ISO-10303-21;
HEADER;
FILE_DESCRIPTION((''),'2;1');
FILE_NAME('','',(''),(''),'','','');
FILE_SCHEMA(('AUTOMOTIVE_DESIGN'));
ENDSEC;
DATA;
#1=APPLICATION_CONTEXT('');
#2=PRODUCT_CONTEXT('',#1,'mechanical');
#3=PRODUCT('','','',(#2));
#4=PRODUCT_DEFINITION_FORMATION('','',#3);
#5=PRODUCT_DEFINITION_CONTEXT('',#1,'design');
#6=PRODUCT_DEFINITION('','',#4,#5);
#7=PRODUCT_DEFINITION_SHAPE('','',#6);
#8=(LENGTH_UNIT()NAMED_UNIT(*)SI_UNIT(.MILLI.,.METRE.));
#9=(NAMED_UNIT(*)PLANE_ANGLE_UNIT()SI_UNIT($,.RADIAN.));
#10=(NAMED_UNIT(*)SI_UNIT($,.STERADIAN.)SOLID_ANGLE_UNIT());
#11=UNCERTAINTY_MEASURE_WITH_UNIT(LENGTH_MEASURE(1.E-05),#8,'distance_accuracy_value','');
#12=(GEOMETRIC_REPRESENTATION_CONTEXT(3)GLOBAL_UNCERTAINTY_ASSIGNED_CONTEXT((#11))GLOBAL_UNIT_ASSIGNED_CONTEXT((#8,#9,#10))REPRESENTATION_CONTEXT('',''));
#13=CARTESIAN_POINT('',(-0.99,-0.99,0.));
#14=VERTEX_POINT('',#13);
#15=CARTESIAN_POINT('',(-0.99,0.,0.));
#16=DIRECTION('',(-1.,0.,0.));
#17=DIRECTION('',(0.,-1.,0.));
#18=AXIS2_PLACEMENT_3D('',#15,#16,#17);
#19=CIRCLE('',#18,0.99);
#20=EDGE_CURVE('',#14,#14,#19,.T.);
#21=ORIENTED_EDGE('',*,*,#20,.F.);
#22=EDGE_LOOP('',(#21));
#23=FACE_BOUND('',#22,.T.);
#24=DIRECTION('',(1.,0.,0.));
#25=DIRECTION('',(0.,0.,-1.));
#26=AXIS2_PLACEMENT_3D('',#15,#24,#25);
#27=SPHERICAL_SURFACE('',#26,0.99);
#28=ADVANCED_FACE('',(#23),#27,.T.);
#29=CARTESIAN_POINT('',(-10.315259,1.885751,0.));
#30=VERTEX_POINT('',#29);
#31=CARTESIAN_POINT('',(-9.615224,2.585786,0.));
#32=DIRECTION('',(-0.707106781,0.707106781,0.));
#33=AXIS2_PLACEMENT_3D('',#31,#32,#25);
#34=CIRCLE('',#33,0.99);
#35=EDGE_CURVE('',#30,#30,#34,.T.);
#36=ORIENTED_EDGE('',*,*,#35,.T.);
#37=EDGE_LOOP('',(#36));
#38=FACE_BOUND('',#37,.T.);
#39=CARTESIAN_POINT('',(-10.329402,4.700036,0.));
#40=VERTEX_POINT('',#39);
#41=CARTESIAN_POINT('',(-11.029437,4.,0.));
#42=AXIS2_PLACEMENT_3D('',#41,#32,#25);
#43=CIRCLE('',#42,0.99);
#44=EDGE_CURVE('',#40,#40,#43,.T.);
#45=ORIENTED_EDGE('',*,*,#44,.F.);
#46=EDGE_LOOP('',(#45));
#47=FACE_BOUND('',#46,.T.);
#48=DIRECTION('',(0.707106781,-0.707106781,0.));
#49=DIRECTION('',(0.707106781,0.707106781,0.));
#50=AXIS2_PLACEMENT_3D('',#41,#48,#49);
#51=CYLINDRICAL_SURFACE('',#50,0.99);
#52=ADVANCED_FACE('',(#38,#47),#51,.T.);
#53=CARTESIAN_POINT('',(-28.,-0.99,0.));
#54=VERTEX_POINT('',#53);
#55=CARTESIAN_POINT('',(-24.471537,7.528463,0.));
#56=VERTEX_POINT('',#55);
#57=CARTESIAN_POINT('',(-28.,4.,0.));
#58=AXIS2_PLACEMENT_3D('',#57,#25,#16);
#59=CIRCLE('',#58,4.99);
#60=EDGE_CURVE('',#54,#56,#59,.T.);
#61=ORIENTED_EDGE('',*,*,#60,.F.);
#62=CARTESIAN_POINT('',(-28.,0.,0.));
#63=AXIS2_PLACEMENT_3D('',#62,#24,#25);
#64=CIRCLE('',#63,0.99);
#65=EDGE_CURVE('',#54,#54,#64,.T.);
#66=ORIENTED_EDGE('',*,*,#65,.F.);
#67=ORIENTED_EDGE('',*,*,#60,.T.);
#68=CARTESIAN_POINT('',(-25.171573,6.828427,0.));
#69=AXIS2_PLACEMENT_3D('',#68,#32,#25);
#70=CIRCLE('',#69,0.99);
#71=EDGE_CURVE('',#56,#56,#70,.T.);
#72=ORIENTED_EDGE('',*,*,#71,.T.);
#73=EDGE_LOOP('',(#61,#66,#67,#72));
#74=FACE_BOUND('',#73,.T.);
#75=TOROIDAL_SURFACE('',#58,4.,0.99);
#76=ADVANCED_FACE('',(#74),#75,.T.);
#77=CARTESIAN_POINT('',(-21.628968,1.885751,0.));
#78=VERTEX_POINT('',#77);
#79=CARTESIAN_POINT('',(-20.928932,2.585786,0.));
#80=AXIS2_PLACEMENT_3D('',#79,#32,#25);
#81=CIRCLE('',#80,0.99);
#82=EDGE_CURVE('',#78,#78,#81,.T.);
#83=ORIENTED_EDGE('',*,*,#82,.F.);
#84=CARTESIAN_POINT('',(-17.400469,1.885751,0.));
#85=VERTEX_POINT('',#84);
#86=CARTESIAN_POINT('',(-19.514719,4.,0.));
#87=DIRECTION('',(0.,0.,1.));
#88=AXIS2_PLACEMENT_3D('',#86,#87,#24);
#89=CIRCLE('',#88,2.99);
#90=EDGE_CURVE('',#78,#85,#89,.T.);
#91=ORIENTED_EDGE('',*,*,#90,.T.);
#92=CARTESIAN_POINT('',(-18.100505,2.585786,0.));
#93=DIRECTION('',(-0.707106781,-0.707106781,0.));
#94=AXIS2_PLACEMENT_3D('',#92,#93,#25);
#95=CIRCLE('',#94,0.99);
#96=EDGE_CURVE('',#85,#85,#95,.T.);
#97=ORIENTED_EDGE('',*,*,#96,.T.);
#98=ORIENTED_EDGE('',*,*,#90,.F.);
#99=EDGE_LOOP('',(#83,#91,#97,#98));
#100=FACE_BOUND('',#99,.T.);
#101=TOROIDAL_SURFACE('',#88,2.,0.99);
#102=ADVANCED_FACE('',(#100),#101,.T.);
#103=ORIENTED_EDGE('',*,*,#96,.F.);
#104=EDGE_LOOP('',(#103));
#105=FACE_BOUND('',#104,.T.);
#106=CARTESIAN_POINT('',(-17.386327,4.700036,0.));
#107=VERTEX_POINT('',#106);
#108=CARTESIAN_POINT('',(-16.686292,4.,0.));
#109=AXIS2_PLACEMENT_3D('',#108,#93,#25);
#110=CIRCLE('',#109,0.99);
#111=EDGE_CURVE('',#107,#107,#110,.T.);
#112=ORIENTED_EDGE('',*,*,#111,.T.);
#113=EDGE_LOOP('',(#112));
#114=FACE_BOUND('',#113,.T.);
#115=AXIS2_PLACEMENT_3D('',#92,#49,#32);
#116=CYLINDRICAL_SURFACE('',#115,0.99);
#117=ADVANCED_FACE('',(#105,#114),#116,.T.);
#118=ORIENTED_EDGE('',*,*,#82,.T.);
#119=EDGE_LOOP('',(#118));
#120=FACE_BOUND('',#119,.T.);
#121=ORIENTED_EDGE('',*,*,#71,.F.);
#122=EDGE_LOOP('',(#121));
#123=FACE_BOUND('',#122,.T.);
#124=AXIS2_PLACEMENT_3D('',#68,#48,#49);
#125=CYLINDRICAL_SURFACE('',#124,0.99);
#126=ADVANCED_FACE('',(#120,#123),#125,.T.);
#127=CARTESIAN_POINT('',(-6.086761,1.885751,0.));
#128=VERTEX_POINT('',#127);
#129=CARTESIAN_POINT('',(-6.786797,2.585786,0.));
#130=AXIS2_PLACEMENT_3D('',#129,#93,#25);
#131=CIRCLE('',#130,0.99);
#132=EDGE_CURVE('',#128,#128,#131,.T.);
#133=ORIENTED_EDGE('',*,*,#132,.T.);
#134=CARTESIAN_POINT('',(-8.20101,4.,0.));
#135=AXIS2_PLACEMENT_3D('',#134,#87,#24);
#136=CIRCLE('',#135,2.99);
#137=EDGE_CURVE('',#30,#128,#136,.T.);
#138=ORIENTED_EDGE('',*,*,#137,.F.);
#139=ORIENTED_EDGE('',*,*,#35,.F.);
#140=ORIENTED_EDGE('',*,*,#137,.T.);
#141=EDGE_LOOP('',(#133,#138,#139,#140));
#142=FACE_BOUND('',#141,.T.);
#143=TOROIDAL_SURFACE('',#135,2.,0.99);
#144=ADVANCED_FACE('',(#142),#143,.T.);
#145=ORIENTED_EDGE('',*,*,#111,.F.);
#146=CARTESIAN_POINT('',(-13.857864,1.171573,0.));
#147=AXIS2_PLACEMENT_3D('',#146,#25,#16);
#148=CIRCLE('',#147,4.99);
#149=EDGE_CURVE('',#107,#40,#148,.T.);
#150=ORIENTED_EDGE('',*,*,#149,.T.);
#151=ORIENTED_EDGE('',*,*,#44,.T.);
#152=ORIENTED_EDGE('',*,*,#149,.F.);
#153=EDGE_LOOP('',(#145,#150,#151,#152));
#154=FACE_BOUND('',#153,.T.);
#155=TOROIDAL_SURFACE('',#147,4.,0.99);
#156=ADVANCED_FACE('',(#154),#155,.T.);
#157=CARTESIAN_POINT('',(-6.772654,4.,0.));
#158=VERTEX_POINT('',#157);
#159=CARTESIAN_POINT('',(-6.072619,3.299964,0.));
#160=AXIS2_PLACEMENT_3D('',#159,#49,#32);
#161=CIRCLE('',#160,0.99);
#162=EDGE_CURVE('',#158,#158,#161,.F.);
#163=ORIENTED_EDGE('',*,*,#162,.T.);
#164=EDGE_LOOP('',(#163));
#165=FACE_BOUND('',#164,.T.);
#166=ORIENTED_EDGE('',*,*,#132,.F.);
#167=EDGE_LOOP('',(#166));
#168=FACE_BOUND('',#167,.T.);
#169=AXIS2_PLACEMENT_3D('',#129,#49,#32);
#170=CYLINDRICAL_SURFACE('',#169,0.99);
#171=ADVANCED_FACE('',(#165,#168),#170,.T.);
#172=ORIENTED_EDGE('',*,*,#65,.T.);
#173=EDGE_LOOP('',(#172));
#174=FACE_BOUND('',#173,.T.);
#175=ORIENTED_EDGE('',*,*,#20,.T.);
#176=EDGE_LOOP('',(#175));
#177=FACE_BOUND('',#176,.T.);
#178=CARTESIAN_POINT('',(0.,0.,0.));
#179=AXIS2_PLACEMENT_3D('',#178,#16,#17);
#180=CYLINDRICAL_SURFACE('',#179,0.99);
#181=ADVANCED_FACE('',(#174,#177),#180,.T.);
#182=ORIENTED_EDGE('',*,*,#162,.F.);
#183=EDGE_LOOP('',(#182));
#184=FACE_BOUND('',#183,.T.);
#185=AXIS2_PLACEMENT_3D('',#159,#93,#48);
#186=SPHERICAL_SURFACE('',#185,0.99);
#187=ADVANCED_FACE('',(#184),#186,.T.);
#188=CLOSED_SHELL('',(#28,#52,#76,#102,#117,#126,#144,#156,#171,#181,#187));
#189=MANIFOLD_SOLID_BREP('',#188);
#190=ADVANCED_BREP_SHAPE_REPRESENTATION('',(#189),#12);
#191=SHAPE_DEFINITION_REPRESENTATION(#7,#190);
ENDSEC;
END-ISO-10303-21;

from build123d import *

# Parameters (mm, degrees)
SKETCH2_R = 0.99
FILLET1_R = 0.99


with BuildPart() as part:
    # Sweep3: sweep along a path in Sketch1
    with BuildLine(Plane.XY) as sweep3_path:
        Line((0, 0), (-28, 0))
        ThreePointArc((-28, 0), (-31.69551813, 5.530733729), (-25.171572875, 6.828427125))
        Line((-25.171572875, 6.828427125), (-20.928932188, 2.585786438))
        ThreePointArc((-20.928932188, 2.585786438), (-19.514718626, 2), (-18.100505063, 2.585786438))
        Line((-18.100505063, 2.585786438), (-16.686291501, 4))
        ThreePointArc((-16.686291501, 4), (-13.857864376, 5.171572875), (-11.029437252, 4))
        Line((-11.029437252, 4), (-9.615223689, 2.585786438))
        ThreePointArc((-9.615223689, 2.585786438), (-8.201010127, 2), (-6.786796564, 2.585786438))
        Line((-6.786796564, 2.585786438), (-5.372583002, 4))
    # Sketch2 → Sweep3 (sweep)
    with BuildSketch(Plane(origin=(0, 0, 0), x_dir=(0, 0, -1), z_dir=(1, 0, 0))):
        Circle(SKETCH2_R)
    sweep(path=sweep3_path.line)

    # Fillet1
    fillet1_edges = [part.edges().sort_by_distance(p)[0] for p in [
        (-5.372583002, 4, 0.99),
        (0, 0, 0.99),
    ]]
    fillet(fillet1_edges, radius=FILLET1_R)


solid = part.part
